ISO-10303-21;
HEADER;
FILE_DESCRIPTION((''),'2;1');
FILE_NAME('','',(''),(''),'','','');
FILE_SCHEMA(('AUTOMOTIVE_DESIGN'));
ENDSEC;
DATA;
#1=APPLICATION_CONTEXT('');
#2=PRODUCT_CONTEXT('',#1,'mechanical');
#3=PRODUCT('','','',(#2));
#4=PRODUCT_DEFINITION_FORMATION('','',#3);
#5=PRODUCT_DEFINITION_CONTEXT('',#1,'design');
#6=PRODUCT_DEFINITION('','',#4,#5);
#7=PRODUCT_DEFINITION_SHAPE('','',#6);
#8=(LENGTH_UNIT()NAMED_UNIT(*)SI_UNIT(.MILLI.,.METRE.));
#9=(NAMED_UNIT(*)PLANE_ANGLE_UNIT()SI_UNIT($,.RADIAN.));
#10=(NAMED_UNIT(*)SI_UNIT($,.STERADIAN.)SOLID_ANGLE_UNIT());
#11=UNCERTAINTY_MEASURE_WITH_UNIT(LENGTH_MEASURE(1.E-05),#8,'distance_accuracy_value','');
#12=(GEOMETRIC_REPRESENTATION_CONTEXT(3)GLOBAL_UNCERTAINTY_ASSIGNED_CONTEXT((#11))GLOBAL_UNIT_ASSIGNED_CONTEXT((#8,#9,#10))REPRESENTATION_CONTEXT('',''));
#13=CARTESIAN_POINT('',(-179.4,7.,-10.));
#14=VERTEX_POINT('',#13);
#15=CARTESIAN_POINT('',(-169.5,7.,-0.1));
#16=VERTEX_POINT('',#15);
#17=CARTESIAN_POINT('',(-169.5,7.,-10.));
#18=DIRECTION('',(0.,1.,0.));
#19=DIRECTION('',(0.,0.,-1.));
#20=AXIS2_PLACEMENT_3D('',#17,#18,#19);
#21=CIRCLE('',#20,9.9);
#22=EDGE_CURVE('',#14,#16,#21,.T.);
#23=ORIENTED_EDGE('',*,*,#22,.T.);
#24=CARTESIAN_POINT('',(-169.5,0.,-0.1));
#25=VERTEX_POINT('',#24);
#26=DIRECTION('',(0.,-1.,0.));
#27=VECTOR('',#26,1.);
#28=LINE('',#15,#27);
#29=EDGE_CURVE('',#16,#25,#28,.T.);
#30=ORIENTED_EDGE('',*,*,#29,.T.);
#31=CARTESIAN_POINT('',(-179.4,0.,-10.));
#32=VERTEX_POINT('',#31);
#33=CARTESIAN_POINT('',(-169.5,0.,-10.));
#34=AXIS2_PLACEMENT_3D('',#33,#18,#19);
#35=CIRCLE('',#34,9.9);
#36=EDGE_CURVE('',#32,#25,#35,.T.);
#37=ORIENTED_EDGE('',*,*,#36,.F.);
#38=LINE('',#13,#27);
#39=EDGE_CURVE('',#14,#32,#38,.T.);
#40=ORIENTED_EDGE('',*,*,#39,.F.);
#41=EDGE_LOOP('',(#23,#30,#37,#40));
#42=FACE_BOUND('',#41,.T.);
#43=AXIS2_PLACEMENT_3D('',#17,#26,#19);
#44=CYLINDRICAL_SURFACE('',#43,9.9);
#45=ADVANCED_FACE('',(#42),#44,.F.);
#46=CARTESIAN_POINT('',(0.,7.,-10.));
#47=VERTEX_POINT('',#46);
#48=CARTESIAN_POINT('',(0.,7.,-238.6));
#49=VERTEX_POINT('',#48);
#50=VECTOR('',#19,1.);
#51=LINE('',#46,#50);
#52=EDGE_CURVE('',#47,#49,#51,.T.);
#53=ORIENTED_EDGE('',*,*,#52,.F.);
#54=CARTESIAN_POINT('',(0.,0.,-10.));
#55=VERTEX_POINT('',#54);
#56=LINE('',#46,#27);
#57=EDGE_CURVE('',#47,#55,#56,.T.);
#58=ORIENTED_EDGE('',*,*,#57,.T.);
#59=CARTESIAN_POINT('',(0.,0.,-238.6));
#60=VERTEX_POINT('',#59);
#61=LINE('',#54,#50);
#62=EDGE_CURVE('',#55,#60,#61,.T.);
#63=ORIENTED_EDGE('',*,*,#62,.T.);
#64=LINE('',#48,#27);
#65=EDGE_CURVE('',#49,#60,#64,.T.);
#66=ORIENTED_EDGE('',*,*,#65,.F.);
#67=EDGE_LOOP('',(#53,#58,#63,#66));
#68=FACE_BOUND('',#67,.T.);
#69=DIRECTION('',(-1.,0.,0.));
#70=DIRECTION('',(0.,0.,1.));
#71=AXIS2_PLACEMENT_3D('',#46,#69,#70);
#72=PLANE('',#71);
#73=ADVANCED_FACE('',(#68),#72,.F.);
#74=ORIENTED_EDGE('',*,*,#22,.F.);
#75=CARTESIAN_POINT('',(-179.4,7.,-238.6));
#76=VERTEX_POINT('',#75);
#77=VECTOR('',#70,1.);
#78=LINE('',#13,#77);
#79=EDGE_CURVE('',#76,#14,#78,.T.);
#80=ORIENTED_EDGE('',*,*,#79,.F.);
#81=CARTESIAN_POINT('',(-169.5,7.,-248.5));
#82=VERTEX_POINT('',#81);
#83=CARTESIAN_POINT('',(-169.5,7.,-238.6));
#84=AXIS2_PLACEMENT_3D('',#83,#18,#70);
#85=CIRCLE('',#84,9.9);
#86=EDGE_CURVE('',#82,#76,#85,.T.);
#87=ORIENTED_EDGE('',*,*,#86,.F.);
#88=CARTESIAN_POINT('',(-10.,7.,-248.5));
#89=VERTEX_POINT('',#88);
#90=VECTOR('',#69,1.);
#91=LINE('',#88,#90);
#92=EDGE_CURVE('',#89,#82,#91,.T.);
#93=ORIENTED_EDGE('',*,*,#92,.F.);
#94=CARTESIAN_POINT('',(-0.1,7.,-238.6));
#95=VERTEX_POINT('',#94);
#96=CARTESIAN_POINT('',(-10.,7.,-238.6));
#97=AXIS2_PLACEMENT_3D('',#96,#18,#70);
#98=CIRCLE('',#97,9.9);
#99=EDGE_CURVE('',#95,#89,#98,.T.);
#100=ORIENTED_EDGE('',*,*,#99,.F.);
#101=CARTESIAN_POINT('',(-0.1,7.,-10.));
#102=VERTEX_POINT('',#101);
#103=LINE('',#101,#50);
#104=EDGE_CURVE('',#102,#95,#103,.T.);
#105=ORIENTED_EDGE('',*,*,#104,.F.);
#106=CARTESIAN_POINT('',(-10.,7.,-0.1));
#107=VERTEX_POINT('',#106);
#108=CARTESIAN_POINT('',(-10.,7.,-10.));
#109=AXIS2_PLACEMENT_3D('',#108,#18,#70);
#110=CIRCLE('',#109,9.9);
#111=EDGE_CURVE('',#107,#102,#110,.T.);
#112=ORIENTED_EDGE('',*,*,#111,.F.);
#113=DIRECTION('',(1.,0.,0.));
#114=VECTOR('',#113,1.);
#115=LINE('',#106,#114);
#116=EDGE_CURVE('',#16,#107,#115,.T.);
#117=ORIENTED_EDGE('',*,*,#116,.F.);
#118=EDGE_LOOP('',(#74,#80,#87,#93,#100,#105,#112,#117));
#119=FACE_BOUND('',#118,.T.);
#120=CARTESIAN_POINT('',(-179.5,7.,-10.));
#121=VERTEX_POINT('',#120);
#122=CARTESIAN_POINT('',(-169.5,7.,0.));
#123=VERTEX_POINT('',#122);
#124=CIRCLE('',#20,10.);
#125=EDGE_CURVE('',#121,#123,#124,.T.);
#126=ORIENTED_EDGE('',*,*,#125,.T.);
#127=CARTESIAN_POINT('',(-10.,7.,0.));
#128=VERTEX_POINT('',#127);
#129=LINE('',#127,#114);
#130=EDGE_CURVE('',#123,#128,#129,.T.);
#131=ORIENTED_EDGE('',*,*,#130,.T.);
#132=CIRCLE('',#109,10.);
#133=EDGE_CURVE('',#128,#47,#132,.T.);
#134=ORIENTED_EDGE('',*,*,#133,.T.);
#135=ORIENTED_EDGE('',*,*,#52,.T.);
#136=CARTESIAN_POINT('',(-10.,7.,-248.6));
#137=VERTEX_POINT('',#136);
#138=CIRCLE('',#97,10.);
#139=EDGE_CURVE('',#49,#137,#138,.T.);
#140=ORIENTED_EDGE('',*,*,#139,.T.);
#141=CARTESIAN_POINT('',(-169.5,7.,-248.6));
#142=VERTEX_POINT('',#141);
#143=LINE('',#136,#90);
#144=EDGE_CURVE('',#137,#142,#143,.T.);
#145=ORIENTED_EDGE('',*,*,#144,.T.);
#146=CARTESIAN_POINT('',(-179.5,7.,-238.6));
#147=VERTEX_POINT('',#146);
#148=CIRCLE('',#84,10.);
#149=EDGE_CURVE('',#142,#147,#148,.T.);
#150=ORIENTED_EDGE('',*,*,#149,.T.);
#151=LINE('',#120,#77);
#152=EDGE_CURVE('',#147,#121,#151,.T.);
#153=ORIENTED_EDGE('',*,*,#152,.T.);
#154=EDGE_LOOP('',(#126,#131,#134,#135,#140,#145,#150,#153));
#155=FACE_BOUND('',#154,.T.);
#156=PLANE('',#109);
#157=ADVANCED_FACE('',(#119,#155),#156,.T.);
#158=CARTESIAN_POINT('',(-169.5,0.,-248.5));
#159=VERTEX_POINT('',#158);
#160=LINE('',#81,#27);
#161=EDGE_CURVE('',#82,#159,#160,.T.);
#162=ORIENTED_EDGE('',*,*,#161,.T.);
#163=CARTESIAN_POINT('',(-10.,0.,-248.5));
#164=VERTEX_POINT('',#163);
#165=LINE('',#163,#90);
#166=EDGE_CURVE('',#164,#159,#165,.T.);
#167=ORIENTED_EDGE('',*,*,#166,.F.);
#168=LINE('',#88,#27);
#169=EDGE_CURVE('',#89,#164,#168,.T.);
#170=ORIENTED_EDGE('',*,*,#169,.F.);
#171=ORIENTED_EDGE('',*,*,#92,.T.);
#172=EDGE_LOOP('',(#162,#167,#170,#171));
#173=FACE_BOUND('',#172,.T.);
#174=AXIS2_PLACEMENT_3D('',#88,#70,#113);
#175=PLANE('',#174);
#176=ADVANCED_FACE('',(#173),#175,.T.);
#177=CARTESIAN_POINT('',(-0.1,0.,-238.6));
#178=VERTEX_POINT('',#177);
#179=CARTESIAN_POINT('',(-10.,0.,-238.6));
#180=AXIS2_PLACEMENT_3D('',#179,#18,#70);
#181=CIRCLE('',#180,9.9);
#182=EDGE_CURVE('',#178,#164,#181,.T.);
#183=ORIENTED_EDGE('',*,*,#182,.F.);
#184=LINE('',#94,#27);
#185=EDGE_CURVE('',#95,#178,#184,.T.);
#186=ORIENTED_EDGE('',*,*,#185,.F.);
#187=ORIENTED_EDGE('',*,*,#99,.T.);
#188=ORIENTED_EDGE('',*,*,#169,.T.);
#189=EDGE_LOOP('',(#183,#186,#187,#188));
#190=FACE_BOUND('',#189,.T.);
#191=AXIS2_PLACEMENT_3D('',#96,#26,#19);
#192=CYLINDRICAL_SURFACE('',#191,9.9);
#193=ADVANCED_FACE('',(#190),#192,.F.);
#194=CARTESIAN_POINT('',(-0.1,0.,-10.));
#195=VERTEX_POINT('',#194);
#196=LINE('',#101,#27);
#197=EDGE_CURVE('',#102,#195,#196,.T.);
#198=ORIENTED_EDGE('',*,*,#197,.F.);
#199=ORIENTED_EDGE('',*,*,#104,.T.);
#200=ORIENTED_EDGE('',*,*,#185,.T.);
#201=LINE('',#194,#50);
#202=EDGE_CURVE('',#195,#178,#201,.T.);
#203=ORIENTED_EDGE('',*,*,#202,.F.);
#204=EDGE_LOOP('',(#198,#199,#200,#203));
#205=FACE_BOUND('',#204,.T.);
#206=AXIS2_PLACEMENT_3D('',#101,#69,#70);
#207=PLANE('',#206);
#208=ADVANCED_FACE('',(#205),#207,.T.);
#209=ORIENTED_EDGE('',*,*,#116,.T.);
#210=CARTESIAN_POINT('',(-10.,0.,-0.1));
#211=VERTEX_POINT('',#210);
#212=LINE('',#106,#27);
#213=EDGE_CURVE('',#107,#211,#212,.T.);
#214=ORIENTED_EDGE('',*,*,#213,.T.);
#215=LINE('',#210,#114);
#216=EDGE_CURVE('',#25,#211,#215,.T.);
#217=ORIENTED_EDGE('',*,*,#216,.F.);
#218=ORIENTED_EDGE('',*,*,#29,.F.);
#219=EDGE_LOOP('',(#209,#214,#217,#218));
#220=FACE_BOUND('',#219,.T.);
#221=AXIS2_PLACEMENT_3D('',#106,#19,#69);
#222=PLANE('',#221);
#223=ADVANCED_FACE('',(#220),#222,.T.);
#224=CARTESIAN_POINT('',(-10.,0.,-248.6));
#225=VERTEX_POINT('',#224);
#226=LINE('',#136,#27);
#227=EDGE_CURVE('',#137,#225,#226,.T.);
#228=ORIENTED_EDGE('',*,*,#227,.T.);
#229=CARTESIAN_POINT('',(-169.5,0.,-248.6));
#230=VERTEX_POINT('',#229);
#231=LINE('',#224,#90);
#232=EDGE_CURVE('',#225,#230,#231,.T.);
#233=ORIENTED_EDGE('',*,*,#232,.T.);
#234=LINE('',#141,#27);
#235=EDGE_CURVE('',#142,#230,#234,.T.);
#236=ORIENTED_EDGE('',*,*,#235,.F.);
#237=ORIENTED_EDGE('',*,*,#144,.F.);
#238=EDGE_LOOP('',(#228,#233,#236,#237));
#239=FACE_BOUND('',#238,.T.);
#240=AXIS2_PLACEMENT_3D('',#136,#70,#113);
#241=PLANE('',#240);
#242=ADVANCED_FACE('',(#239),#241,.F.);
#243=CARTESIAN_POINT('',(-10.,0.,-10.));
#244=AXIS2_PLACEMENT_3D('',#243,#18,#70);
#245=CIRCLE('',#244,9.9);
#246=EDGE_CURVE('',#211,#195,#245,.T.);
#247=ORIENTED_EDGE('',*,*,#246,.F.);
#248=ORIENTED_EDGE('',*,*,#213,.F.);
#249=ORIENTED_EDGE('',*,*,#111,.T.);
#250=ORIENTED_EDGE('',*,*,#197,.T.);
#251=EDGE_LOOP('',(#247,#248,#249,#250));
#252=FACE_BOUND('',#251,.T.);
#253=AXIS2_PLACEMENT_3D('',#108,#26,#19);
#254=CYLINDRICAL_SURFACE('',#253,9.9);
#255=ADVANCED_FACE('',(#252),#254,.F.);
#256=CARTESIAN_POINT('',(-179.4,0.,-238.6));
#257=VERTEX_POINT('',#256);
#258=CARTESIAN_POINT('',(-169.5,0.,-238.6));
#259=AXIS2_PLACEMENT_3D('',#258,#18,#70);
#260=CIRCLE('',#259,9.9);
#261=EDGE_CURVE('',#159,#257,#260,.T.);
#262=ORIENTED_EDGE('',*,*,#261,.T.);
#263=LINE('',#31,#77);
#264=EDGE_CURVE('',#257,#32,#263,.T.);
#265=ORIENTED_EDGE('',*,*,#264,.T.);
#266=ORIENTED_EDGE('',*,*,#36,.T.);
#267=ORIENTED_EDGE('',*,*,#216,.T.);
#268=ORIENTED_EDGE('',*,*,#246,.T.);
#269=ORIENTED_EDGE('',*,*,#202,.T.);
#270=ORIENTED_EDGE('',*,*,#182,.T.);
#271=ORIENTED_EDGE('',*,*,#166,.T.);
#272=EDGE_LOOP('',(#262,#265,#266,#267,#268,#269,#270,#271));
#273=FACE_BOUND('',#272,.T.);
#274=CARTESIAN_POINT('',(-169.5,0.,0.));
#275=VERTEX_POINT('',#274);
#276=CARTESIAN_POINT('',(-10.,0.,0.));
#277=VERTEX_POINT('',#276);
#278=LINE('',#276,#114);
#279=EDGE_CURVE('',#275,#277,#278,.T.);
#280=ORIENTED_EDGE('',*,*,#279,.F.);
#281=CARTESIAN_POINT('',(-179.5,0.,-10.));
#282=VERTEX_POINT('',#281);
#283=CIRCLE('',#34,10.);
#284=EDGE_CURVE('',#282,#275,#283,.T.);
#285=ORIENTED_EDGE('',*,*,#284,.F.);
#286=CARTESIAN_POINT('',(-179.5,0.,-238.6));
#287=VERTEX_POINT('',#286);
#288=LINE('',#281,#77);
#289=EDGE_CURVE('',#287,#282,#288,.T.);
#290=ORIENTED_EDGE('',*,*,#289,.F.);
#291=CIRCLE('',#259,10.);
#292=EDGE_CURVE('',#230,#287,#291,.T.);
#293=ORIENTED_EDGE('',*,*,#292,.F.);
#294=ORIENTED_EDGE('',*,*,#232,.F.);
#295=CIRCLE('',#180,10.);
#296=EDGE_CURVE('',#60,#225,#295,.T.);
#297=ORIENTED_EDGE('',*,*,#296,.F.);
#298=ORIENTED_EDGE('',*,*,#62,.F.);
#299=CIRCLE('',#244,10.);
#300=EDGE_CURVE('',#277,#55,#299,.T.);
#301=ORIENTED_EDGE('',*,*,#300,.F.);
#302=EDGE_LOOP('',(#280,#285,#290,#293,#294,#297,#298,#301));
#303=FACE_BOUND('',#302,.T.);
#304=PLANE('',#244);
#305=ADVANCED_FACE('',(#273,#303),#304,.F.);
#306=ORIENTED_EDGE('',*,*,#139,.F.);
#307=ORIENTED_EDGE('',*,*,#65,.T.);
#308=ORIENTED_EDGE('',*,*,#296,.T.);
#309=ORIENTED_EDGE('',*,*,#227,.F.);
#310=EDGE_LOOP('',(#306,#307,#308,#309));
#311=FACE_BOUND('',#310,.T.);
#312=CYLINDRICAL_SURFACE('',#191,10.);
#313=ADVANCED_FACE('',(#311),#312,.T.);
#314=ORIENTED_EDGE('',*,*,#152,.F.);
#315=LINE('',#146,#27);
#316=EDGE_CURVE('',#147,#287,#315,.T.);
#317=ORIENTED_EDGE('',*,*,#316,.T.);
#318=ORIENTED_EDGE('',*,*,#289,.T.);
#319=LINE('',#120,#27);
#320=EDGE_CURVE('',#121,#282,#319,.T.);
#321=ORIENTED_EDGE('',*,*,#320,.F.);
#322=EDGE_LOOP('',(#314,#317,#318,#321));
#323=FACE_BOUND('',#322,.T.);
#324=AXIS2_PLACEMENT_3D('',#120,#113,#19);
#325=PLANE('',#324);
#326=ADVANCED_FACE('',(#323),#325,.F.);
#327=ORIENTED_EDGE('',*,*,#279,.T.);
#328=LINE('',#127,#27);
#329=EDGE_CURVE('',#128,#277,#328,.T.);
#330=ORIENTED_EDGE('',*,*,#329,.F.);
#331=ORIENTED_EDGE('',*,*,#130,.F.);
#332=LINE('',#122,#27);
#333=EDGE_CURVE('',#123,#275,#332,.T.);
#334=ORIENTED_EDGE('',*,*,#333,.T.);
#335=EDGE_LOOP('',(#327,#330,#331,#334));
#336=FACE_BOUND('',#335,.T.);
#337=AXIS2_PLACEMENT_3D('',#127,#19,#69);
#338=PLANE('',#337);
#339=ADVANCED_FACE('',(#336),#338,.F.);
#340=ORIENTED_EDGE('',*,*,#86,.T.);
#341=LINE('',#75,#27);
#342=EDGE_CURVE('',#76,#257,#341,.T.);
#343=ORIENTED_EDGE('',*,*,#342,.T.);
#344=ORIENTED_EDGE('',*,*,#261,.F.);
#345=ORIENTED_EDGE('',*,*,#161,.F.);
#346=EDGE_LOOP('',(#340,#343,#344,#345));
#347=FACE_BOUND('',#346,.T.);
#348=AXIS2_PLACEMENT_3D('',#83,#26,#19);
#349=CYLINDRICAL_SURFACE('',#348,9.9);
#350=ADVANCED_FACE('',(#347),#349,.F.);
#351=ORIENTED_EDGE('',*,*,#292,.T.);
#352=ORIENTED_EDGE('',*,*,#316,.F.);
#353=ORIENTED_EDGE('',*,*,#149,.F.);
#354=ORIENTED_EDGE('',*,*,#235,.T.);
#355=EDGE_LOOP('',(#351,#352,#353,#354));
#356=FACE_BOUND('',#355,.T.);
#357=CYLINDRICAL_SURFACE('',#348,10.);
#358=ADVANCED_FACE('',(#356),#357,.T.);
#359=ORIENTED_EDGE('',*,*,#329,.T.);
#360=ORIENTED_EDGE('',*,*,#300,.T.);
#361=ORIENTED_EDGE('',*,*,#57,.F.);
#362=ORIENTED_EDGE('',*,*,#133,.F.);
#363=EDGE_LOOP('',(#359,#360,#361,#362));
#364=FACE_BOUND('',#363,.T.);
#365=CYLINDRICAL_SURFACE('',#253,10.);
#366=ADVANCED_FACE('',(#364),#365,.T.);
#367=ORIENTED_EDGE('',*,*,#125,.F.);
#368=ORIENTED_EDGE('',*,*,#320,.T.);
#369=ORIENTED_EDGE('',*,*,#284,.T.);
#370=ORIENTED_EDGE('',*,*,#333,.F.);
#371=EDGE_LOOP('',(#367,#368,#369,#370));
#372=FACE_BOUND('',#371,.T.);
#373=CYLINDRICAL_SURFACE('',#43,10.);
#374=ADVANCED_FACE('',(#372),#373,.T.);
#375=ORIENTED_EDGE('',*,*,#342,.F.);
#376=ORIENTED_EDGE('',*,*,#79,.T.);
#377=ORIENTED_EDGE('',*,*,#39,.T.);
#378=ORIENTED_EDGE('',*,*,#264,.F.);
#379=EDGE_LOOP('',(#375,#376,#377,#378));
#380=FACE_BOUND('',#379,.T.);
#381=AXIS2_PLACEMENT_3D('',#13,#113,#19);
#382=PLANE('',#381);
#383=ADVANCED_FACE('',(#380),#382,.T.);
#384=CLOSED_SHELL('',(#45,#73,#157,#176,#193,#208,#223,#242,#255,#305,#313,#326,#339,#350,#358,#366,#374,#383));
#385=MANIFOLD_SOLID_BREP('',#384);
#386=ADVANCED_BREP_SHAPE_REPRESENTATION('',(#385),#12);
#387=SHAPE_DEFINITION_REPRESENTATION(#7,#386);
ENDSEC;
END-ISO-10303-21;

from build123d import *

# Parameters (mm, degrees)
BOSS_EXTRU_1_DEPTH = 7


with BuildPart() as part:
    # Esquisse → Boss.-Extru.1 (new body)
    with BuildSketch(Plane(origin=(0, 0, 0), x_dir=(1, 0, 0), z_dir=(0, 1, 0))):
        with BuildLine():
            Line((-10, 0), (-169.5, 0))
            ThreePointArc((-169.5, 0), (-176.571067812, 2.928932188), (-179.5, 10))
            Line((-179.5, 10), (-179.5, 238.6))
            ThreePointArc((-179.5, 238.6), (-176.571067812, 245.671067812), (-169.5, 248.6))
            Line((-169.5, 248.6), (-10, 248.6))
            ThreePointArc((-10, 248.6), (-2.928932188, 245.671067812), (0, 238.6))
            Line((0, 238.6), (0, 10))
            ThreePointArc((0, 10), (-2.928932188, 2.928932188), (-10, 0))
        make_face()
        with BuildLine():
            Line((-0.1, 10), (-0.1, 238.6))
            ThreePointArc((-0.1, 238.6), (-2.999642866, 245.600357134), (-10, 248.5))
            Line((-10, 248.5), (-169.5, 248.5))
            ThreePointArc((-169.5, 248.5), (-176.500357134, 245.600357134), (-179.4, 238.6))
            Line((-179.4, 238.6), (-179.4, 10))
            ThreePointArc((-179.4, 10), (-176.500357134, 2.999642866), (-169.5, 0.1))
            Line((-169.5, 0.1), (-10, 0.1))
            ThreePointArc((-10, 0.1), (-2.999642866, 2.999642866), (-0.1, 10))
        make_face(mode=Mode.SUBTRACT)
    extrude(amount=BOSS_EXTRU_1_DEPTH)


solid = part.part
